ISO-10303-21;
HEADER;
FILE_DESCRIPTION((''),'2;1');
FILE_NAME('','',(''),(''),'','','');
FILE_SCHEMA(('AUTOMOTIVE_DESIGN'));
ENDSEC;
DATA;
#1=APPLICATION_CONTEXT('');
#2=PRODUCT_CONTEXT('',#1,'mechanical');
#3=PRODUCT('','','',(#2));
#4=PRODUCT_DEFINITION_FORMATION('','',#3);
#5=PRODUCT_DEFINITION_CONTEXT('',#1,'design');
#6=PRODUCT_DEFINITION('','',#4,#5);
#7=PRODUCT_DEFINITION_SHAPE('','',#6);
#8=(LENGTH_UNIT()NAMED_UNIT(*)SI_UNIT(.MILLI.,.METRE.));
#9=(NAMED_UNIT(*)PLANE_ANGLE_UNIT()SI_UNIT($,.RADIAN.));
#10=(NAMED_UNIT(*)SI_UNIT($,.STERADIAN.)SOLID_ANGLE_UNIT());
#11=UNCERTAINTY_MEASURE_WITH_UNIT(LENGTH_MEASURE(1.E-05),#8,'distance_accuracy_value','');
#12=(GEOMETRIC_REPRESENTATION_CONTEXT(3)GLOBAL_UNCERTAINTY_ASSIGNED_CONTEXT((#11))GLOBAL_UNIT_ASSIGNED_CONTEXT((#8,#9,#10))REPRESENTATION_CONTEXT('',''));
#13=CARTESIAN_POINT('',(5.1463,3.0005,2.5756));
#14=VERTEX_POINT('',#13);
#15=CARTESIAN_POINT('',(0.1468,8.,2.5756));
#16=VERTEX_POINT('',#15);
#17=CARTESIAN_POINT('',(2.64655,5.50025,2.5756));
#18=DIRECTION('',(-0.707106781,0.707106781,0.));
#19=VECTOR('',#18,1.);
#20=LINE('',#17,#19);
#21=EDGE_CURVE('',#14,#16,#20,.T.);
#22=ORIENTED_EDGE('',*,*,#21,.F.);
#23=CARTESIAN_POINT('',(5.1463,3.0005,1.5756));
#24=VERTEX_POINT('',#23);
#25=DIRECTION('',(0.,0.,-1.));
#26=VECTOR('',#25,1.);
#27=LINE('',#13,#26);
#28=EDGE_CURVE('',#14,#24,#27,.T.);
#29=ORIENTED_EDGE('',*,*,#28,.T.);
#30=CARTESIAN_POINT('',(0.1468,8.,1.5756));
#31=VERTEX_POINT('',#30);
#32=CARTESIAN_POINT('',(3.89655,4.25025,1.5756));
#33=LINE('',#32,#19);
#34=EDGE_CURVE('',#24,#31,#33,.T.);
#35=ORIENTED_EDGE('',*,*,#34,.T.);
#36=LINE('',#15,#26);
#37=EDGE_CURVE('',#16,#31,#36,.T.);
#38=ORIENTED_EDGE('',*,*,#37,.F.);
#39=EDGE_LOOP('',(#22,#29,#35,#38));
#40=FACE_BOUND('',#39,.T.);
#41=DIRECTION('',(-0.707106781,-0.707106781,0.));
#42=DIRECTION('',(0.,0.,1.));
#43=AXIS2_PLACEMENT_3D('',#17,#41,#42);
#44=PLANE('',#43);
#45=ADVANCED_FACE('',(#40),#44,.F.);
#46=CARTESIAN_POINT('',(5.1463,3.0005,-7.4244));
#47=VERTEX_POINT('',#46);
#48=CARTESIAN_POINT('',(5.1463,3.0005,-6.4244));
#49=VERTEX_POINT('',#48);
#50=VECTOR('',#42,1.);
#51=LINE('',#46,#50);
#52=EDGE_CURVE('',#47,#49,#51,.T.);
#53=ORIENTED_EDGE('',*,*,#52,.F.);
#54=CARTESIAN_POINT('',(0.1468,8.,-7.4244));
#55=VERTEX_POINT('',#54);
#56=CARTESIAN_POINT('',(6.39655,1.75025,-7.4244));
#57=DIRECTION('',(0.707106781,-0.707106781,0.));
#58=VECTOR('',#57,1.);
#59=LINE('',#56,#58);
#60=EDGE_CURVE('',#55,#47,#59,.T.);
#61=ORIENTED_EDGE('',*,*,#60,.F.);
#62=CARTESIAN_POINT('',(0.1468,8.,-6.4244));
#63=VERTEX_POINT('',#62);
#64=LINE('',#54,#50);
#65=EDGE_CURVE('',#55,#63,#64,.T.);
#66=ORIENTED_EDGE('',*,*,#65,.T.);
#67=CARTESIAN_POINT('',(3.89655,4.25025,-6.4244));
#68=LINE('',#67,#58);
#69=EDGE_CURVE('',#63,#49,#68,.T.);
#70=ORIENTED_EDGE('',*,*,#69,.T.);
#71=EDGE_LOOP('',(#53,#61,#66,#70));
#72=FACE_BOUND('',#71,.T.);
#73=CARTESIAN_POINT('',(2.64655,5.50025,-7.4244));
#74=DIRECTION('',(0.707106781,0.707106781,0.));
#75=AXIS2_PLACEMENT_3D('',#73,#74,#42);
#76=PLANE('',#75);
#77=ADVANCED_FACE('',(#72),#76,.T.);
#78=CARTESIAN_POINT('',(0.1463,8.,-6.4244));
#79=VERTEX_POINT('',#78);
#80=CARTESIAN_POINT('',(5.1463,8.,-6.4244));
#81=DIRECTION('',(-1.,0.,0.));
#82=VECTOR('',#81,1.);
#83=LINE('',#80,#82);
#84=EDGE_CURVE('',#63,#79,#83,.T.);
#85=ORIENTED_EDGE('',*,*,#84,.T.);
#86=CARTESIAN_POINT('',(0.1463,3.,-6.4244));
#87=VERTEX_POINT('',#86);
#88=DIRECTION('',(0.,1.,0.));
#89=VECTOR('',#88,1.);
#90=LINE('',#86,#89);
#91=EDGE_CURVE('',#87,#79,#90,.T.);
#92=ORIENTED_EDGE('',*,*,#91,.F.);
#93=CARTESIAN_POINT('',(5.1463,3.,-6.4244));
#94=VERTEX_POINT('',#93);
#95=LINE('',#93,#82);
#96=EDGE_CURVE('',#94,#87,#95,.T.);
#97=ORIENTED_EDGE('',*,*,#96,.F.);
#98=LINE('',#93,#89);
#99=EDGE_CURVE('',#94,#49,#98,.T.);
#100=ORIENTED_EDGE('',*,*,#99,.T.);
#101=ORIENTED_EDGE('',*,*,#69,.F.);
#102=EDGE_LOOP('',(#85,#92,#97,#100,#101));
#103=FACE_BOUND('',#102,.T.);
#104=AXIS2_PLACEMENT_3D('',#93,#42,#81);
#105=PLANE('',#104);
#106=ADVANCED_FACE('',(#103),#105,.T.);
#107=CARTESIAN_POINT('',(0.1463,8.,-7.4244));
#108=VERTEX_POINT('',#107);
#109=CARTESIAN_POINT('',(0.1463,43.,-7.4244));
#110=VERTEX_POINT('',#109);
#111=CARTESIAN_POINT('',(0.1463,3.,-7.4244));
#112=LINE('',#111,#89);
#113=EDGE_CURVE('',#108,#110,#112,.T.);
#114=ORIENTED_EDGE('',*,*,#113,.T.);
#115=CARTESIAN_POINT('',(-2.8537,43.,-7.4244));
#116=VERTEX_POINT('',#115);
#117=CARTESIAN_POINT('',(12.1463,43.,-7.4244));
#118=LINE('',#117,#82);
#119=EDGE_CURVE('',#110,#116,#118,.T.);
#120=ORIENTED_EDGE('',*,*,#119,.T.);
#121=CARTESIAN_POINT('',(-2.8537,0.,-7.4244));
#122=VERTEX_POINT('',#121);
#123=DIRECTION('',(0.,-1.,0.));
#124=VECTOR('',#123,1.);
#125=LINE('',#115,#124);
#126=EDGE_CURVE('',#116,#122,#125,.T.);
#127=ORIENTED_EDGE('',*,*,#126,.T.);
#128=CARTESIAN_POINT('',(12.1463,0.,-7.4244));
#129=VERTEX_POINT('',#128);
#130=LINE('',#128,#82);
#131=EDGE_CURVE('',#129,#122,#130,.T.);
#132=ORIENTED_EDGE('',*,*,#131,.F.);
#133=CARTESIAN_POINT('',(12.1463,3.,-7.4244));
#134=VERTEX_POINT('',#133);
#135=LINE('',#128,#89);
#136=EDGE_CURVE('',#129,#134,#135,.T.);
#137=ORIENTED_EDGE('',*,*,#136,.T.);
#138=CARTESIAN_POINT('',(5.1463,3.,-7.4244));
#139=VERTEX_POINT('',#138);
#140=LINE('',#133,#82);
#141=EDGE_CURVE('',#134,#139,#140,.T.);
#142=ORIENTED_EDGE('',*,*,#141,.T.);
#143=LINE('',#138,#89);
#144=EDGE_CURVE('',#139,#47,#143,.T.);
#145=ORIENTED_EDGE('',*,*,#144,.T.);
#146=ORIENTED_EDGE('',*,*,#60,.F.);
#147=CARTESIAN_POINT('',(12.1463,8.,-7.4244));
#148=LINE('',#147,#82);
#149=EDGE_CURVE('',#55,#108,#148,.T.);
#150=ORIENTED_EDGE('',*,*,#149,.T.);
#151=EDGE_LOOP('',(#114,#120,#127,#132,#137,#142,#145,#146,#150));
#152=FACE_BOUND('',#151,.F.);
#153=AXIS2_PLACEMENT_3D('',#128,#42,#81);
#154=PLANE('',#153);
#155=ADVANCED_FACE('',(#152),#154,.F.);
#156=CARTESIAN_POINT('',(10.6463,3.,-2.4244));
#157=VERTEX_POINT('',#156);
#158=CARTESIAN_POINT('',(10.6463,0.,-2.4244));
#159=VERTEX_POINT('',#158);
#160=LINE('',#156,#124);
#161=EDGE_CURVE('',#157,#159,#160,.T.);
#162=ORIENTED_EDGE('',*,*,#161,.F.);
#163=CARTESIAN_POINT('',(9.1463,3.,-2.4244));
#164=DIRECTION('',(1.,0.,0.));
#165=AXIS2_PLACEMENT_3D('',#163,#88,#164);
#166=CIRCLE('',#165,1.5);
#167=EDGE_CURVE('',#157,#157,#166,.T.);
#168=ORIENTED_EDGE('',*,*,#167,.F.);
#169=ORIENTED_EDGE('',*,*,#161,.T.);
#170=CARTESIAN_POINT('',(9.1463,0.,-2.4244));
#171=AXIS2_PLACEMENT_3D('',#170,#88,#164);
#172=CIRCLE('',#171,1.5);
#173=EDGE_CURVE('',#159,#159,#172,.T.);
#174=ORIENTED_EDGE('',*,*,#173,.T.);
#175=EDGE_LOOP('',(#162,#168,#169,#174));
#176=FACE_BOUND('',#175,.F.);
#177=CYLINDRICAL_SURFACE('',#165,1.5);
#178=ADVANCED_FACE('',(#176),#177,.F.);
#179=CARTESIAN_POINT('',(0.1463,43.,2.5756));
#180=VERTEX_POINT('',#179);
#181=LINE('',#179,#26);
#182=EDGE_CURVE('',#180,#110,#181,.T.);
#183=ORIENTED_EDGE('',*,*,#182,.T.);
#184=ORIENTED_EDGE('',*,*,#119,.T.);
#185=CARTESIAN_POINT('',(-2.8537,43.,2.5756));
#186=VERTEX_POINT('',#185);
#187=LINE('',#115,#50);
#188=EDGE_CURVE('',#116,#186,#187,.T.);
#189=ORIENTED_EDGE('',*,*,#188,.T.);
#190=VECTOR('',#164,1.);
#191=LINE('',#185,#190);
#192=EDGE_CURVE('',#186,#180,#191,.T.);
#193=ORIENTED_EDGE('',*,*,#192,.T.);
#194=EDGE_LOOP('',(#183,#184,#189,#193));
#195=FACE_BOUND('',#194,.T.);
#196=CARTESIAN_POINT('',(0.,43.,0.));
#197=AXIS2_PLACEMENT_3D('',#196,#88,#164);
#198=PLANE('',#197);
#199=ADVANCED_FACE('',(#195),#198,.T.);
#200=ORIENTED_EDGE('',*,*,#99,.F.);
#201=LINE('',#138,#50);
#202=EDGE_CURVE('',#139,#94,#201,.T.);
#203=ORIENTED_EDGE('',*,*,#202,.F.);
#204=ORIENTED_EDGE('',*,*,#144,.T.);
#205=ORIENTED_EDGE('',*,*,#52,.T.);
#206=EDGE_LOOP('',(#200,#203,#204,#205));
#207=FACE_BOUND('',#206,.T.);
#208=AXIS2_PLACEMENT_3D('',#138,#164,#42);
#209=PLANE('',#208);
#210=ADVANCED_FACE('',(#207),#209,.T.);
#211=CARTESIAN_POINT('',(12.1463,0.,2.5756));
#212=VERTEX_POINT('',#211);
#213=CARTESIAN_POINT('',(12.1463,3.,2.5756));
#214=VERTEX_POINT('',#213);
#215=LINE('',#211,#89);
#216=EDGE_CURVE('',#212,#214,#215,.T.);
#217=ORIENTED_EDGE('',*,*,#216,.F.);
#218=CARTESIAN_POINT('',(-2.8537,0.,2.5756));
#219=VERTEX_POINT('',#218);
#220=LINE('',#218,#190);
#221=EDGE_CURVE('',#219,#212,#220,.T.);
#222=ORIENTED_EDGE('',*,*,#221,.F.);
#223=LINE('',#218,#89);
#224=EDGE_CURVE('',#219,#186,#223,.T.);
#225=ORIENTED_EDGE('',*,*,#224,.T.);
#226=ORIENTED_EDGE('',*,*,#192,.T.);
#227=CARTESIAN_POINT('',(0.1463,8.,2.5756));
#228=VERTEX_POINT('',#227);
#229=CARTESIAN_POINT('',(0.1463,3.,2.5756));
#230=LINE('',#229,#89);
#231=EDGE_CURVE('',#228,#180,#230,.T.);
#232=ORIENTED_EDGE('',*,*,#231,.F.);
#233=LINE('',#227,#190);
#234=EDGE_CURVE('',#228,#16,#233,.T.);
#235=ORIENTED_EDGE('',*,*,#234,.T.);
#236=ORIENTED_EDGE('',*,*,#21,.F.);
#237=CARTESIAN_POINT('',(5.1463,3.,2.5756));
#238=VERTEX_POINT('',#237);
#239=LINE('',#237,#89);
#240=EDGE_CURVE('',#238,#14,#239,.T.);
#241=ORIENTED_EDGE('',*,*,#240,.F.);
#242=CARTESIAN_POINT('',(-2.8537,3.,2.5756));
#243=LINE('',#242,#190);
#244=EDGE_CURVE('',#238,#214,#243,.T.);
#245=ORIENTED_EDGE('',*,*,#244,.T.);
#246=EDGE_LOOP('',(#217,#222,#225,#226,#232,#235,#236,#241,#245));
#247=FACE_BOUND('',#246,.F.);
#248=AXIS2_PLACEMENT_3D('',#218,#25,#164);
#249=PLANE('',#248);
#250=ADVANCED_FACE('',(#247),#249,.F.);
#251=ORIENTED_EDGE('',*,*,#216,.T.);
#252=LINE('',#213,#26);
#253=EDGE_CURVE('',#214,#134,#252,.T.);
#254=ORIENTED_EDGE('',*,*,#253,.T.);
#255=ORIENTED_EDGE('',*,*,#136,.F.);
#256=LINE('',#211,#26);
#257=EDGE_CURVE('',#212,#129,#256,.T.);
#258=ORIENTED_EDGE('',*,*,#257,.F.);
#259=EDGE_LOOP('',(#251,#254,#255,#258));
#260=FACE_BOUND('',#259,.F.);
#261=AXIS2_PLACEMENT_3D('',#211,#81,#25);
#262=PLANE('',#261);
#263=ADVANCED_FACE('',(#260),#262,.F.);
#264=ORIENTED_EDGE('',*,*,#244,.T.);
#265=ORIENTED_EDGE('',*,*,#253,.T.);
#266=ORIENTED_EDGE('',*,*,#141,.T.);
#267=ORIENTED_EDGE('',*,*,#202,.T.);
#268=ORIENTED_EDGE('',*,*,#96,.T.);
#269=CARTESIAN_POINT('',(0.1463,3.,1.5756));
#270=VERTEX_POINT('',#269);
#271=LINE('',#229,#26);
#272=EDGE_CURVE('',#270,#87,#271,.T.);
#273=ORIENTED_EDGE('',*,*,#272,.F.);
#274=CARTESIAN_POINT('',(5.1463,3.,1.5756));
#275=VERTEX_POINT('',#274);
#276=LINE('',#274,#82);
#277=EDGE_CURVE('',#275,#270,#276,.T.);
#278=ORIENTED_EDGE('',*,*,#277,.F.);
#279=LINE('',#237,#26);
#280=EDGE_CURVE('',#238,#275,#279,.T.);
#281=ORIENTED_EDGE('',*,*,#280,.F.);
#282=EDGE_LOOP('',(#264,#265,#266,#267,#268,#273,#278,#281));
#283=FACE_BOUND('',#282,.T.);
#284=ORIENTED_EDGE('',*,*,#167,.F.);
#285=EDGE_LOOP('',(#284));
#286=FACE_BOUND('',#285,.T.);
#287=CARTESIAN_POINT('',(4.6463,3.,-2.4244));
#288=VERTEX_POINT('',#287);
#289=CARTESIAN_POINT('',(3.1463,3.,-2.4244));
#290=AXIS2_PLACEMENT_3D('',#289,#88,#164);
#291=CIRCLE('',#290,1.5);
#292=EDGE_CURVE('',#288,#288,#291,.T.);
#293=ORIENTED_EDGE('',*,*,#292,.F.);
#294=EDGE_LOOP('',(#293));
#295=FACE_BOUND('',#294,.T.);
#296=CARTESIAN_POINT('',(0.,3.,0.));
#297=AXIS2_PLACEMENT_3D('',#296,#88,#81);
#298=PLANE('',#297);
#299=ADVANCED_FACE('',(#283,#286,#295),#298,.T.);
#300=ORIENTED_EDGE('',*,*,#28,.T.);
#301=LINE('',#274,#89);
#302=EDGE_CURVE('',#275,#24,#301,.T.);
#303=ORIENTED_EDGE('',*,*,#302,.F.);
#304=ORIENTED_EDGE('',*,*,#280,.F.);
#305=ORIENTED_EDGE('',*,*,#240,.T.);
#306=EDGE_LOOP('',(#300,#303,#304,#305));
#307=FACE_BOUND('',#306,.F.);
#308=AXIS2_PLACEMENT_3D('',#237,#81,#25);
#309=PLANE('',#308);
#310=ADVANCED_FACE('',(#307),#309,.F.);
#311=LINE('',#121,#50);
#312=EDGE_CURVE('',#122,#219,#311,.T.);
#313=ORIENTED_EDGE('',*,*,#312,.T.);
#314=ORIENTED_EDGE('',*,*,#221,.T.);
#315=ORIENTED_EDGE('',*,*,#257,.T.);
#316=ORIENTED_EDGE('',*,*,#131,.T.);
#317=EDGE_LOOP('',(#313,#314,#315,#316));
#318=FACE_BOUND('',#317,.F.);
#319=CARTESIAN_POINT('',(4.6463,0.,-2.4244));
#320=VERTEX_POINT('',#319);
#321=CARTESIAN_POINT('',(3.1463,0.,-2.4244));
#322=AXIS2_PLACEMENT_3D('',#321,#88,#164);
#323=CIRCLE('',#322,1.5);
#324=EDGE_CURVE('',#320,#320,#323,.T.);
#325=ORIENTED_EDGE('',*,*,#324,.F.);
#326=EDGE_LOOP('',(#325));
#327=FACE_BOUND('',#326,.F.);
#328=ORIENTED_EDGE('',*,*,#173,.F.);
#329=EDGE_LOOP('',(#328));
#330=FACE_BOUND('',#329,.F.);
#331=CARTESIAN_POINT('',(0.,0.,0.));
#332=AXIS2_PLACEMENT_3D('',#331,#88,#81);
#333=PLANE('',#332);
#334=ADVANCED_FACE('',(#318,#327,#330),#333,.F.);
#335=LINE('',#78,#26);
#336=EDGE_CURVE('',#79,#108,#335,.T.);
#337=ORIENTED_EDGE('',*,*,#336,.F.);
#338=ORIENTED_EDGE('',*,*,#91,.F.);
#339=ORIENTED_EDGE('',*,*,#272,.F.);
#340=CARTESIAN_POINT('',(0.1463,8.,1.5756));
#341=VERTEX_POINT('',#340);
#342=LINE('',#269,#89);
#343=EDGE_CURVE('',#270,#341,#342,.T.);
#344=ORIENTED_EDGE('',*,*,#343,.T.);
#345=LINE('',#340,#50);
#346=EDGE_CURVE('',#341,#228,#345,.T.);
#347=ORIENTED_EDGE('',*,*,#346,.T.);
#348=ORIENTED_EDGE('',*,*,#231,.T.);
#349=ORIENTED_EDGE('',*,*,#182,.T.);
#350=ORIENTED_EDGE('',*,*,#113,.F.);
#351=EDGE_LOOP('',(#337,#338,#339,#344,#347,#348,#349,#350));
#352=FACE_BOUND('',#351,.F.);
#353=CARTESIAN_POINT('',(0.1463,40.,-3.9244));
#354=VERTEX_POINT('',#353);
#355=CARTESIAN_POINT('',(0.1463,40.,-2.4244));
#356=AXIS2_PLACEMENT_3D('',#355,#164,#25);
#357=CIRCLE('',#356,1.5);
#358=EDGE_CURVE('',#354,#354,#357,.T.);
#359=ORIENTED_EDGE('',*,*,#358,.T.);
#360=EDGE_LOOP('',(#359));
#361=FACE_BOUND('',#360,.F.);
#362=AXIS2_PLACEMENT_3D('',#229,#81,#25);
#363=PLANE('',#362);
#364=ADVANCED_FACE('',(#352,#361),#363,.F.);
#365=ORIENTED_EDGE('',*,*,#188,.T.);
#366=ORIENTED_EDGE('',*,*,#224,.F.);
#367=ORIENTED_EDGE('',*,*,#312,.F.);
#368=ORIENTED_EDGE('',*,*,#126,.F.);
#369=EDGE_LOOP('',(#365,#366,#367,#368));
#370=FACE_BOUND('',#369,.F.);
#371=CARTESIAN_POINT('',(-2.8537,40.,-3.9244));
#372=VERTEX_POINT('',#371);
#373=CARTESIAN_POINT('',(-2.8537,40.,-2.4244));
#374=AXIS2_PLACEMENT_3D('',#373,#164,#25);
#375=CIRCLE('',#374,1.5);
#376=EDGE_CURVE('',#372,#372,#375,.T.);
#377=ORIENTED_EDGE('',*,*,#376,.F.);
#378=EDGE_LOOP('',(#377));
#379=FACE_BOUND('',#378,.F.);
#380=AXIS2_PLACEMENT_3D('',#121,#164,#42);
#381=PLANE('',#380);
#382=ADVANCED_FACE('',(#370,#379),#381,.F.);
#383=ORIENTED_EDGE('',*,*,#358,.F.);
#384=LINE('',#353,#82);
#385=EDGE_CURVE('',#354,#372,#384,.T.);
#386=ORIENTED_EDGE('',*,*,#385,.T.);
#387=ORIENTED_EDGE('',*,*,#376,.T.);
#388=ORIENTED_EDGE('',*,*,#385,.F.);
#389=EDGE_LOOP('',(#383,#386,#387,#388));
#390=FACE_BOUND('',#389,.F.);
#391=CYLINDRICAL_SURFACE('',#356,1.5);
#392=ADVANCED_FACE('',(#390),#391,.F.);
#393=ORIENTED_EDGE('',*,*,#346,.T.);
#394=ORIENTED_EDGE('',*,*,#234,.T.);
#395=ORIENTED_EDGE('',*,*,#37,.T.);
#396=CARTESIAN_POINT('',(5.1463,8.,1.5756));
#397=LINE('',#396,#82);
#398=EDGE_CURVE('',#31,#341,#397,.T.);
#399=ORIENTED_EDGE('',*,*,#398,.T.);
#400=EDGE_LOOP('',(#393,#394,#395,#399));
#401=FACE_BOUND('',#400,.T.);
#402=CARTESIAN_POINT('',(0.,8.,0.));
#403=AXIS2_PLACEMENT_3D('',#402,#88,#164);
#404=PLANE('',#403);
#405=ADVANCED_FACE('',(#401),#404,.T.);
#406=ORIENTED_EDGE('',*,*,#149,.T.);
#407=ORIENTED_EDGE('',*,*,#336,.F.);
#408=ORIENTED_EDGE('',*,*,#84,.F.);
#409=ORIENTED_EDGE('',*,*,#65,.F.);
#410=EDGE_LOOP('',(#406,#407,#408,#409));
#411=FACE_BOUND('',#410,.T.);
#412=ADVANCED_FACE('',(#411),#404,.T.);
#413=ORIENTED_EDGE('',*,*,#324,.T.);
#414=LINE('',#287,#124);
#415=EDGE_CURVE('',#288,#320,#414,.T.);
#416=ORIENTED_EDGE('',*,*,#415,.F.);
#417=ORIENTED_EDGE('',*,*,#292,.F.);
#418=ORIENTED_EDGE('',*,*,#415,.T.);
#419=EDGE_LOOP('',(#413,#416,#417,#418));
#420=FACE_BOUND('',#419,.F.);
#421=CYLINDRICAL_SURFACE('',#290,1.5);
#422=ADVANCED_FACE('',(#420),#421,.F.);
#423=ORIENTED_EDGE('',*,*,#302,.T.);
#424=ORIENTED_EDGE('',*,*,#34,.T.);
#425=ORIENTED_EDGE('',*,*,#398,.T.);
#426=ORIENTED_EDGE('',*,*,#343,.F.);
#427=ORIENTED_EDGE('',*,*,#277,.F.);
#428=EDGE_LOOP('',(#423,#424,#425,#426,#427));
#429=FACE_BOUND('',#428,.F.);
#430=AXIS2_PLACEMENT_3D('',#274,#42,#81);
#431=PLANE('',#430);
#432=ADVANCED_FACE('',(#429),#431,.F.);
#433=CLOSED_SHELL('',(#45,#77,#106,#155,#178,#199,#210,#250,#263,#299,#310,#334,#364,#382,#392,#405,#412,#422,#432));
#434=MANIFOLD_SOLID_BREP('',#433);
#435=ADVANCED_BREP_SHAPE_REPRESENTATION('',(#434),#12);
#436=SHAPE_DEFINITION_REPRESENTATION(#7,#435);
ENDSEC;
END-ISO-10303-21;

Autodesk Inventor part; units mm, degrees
ref_plane "YZ Plane" through (0, 0, 0) normal (1, 0, 0) x (0, 1, 0)
ref_plane "XZ Plane" through (0, 0, 0) normal (0, 1, 0) x (-1, 0, 0)
ref_plane "XY Plane" through (0, 0, 0) normal (0, 0, 1) x (1, 0, 0)
sketch "Esquisse1" plane through (0, 0, 0) normal (0, 1, 0) x (-1, 0, 0)
  line L0 (2.8537, 2.5756) -> (-12.1463, 2.5756)
  line L1 (-12.1463, 2.5756) -> (-12.1463, -7.4244)
  line L2 (-12.1463, -7.4244) -> (2.8537, -7.4244)
  line L3 (2.8537, -7.4244) -> (2.8537, 2.5756)
  point P0 (0, 0)
  dimension "d0" = 10
  dimension "d1" = 15
extrude "Extrusion1" add sketch "Esquisse1" along normal blind 3
sketch "Esquisse2" plane through (0, 3, 0) normal (0, 1, 0) x (1, 0, 0)
  line L0 (-2.8537, 7.4244) -> (-2.8537, -2.5756) projected
  line L1 (12.1463, 7.4244) -> (-2.8537, 7.4244) projected
  line L2 (-2.8537, -2.5756) -> (0.1463, -2.5756)
  line L3 (0.1463, -2.5756) -> (0.1463, 7.4244)
  line L4 (0.1463, 7.4244) -> (-2.8537, 7.4244)
  line L5 (-2.8537, 7.4244) -> (-2.8537, -2.5756)
  point P0 (0, 0)
  dimension "d4" = 3
extrude "Extrusion2" add sketch "Esquisse2" along normal blind 40
sketch "Esquisse3" plane through (0, 3, 0) normal (0, 1, 0) x (1, 0, 0)
  circle A0 centre (3.1463, 2.4244) radius 1.5
  circle A1 centre (9.1463, 2.4244) radius 1.5
  line L0 (12.1463, -2.5756) -> (12.1463, 7.4244) projected
  line L1 (0.1463, -2.5756) -> (12.1463, -2.5756) projected
  line L2 (0.1463, -2.5756) -> (0.1463, 7.4244) projected
  point P0 (0, 0)
  dimension "d7" = 3
  dimension "d8" = 3
  dimension "d9" = 3
  dimension "d10" = 5
  dimension "d11" = 5
  dimension "d12" = 3
extrude "Extrusion3" cut sketch "Esquisse3" against normal through all
sketch "Esquisse4" plane through (0, 3, 0) normal (0, 1, 0) x (1, 0, 0)
  line L0 (0.1463, -2.5756) -> (12.1463, -2.5756) projected
  line L1 (0.1463, -2.5756) -> (5.1463, -2.5756)
  line L2 (5.1463, -2.5756) -> (5.1463, -1.5756)
  line L3 (5.1463, -1.5756) -> (0.1463, -1.5756)
  line L4 (0.1463, -1.5756) -> (0.1463, -2.5756)
  line L5 (12.1463, 7.4244) -> (0.1463, 7.4244) projected
  line L6 (0.1463, 7.4244) -> (5.1463, 7.4244)
  line L7 (5.1463, 7.4244) -> (5.1463, 6.4244)
  line L8 (5.1463, 6.4244) -> (0.1463, 6.4244)
  line L9 (0.1463, 6.4244) -> (0.1463, 7.4244)
  point P0 (0, 0)
  dimension "d15" = 1
  dimension "d16" = 1
  dimension "d17" = 5
extrude "Extrusion4" add sketch "Esquisse4" along normal blind 5
chamfer "Chanfrein1" distance 5 angle 45 1 edges at (5.1463, 8, 2.0756)
chamfer "Chanfrein2" distance 5 angle 45 1 edges at (5.1463, 8, -6.9244)
sketch "Esquisse5" plane through (0.1463, 43, 2.5756) normal (1, 0, 0) x (0, 0, -1)
  circle A0 centre (5, -3) radius 1.5
  line L0 (0, -35) -> (0, 0) projected
  line L1 (0, 0) -> (10, 0) projected
  point P0 (2.5756, -43)
  dimension "d26" = 3
  dimension "d27" = 5
  dimension "d28" = 3
extrude "Extrusion5" cut sketch "Esquisse5" against normal through all
properties part number "equerre-bras"
